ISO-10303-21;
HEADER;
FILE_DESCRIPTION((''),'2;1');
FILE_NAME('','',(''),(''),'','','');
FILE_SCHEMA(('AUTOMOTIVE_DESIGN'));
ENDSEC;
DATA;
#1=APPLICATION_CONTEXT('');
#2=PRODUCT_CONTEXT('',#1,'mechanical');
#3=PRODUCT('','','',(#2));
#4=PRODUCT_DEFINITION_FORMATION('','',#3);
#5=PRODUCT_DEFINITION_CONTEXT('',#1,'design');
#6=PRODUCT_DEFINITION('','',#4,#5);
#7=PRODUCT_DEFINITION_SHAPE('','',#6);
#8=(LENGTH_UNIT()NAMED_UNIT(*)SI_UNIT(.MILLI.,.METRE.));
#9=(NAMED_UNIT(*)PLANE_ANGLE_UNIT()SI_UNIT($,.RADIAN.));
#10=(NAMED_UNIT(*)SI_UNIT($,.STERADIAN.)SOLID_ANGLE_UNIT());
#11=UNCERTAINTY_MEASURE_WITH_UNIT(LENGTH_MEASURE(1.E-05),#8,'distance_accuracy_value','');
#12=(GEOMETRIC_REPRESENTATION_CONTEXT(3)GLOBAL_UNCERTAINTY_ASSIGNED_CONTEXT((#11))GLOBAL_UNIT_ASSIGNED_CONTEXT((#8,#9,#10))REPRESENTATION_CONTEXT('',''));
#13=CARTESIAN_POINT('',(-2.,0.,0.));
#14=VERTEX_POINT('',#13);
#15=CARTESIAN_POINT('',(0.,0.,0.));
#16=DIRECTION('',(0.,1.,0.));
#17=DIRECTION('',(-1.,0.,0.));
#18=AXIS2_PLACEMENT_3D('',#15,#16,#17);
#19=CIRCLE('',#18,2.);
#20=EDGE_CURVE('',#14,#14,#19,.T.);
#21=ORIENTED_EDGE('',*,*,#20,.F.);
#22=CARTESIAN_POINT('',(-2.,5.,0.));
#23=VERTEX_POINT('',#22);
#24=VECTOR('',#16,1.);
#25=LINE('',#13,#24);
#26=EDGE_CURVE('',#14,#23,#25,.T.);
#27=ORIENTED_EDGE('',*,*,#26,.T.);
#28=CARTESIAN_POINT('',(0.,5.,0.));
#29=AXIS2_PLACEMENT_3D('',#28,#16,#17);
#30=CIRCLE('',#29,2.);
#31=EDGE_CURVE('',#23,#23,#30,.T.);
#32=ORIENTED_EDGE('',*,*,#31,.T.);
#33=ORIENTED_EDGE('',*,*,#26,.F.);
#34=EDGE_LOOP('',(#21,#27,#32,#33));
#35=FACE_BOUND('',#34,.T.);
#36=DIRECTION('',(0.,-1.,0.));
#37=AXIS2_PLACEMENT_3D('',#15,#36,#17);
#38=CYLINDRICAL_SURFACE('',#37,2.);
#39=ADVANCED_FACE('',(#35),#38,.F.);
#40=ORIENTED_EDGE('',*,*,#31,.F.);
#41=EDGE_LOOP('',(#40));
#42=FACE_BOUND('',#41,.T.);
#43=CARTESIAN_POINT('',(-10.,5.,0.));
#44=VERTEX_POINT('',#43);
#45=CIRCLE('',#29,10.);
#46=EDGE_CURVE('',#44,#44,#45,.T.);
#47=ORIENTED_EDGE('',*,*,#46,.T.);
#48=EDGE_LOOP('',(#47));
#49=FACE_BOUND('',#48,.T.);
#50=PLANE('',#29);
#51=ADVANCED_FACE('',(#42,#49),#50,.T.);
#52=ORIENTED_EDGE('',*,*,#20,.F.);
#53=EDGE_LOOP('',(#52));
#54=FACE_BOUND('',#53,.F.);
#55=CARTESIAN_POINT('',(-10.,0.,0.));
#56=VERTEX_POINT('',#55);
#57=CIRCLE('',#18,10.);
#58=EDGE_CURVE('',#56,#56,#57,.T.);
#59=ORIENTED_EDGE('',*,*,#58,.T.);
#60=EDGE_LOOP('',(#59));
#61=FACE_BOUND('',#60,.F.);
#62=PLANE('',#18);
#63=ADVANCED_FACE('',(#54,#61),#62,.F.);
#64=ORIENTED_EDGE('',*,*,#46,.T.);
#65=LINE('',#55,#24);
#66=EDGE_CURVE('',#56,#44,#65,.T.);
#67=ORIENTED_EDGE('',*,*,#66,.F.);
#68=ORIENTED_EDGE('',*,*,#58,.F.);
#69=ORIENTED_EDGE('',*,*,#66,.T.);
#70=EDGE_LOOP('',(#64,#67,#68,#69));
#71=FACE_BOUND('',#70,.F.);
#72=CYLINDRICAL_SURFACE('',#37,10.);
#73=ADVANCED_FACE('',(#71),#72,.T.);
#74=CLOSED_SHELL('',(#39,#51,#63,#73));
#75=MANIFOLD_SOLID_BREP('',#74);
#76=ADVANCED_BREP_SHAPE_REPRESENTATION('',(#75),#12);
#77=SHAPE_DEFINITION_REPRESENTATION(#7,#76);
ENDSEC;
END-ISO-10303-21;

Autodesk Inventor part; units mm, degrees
ref_plane "YZ Plane" through (0, 0, 0) normal (1, 0, 0) x (0, 1, 0)
ref_plane "XZ Plane" through (0, 0, 0) normal (0, 1, 0) x (-1, 0, 0)
ref_plane "XY Plane" through (0, 0, 0) normal (0, 0, 1) x (1, 0, 0)
sketch "スケッチ1" plane through (0, 0, 0) normal (0, 1, 0) x (-1, 0, 0)
  circle A0 centre (0, 0) radius 10
  circle A1 centre (0, 0) radius 2
  dimension "d0" = 20
  dimension "d1" = 4
extrude "押し出し1" add sketch "スケッチ1" along normal blind 5
equation "\"BendRadius\" = Thickness"
equation "\"BendReliefWidth\" = Thickness"
equation "\"BendReliefDepth\" = 0.5 * Thickness"
equation "\"CornerReliefSize\" = 4 * Thickness"
equation "\"MinimumRemnant\" = 2 * Thickness"
equation "\"TransitionRadius\" = BendRadius"
equation "\"JacobiRadiusSize\" = BendRadius"
equation "\"GapSize\" = Thickness"
equation "\"Thickness\" = 0.5"
properties part number "0nhk3"
